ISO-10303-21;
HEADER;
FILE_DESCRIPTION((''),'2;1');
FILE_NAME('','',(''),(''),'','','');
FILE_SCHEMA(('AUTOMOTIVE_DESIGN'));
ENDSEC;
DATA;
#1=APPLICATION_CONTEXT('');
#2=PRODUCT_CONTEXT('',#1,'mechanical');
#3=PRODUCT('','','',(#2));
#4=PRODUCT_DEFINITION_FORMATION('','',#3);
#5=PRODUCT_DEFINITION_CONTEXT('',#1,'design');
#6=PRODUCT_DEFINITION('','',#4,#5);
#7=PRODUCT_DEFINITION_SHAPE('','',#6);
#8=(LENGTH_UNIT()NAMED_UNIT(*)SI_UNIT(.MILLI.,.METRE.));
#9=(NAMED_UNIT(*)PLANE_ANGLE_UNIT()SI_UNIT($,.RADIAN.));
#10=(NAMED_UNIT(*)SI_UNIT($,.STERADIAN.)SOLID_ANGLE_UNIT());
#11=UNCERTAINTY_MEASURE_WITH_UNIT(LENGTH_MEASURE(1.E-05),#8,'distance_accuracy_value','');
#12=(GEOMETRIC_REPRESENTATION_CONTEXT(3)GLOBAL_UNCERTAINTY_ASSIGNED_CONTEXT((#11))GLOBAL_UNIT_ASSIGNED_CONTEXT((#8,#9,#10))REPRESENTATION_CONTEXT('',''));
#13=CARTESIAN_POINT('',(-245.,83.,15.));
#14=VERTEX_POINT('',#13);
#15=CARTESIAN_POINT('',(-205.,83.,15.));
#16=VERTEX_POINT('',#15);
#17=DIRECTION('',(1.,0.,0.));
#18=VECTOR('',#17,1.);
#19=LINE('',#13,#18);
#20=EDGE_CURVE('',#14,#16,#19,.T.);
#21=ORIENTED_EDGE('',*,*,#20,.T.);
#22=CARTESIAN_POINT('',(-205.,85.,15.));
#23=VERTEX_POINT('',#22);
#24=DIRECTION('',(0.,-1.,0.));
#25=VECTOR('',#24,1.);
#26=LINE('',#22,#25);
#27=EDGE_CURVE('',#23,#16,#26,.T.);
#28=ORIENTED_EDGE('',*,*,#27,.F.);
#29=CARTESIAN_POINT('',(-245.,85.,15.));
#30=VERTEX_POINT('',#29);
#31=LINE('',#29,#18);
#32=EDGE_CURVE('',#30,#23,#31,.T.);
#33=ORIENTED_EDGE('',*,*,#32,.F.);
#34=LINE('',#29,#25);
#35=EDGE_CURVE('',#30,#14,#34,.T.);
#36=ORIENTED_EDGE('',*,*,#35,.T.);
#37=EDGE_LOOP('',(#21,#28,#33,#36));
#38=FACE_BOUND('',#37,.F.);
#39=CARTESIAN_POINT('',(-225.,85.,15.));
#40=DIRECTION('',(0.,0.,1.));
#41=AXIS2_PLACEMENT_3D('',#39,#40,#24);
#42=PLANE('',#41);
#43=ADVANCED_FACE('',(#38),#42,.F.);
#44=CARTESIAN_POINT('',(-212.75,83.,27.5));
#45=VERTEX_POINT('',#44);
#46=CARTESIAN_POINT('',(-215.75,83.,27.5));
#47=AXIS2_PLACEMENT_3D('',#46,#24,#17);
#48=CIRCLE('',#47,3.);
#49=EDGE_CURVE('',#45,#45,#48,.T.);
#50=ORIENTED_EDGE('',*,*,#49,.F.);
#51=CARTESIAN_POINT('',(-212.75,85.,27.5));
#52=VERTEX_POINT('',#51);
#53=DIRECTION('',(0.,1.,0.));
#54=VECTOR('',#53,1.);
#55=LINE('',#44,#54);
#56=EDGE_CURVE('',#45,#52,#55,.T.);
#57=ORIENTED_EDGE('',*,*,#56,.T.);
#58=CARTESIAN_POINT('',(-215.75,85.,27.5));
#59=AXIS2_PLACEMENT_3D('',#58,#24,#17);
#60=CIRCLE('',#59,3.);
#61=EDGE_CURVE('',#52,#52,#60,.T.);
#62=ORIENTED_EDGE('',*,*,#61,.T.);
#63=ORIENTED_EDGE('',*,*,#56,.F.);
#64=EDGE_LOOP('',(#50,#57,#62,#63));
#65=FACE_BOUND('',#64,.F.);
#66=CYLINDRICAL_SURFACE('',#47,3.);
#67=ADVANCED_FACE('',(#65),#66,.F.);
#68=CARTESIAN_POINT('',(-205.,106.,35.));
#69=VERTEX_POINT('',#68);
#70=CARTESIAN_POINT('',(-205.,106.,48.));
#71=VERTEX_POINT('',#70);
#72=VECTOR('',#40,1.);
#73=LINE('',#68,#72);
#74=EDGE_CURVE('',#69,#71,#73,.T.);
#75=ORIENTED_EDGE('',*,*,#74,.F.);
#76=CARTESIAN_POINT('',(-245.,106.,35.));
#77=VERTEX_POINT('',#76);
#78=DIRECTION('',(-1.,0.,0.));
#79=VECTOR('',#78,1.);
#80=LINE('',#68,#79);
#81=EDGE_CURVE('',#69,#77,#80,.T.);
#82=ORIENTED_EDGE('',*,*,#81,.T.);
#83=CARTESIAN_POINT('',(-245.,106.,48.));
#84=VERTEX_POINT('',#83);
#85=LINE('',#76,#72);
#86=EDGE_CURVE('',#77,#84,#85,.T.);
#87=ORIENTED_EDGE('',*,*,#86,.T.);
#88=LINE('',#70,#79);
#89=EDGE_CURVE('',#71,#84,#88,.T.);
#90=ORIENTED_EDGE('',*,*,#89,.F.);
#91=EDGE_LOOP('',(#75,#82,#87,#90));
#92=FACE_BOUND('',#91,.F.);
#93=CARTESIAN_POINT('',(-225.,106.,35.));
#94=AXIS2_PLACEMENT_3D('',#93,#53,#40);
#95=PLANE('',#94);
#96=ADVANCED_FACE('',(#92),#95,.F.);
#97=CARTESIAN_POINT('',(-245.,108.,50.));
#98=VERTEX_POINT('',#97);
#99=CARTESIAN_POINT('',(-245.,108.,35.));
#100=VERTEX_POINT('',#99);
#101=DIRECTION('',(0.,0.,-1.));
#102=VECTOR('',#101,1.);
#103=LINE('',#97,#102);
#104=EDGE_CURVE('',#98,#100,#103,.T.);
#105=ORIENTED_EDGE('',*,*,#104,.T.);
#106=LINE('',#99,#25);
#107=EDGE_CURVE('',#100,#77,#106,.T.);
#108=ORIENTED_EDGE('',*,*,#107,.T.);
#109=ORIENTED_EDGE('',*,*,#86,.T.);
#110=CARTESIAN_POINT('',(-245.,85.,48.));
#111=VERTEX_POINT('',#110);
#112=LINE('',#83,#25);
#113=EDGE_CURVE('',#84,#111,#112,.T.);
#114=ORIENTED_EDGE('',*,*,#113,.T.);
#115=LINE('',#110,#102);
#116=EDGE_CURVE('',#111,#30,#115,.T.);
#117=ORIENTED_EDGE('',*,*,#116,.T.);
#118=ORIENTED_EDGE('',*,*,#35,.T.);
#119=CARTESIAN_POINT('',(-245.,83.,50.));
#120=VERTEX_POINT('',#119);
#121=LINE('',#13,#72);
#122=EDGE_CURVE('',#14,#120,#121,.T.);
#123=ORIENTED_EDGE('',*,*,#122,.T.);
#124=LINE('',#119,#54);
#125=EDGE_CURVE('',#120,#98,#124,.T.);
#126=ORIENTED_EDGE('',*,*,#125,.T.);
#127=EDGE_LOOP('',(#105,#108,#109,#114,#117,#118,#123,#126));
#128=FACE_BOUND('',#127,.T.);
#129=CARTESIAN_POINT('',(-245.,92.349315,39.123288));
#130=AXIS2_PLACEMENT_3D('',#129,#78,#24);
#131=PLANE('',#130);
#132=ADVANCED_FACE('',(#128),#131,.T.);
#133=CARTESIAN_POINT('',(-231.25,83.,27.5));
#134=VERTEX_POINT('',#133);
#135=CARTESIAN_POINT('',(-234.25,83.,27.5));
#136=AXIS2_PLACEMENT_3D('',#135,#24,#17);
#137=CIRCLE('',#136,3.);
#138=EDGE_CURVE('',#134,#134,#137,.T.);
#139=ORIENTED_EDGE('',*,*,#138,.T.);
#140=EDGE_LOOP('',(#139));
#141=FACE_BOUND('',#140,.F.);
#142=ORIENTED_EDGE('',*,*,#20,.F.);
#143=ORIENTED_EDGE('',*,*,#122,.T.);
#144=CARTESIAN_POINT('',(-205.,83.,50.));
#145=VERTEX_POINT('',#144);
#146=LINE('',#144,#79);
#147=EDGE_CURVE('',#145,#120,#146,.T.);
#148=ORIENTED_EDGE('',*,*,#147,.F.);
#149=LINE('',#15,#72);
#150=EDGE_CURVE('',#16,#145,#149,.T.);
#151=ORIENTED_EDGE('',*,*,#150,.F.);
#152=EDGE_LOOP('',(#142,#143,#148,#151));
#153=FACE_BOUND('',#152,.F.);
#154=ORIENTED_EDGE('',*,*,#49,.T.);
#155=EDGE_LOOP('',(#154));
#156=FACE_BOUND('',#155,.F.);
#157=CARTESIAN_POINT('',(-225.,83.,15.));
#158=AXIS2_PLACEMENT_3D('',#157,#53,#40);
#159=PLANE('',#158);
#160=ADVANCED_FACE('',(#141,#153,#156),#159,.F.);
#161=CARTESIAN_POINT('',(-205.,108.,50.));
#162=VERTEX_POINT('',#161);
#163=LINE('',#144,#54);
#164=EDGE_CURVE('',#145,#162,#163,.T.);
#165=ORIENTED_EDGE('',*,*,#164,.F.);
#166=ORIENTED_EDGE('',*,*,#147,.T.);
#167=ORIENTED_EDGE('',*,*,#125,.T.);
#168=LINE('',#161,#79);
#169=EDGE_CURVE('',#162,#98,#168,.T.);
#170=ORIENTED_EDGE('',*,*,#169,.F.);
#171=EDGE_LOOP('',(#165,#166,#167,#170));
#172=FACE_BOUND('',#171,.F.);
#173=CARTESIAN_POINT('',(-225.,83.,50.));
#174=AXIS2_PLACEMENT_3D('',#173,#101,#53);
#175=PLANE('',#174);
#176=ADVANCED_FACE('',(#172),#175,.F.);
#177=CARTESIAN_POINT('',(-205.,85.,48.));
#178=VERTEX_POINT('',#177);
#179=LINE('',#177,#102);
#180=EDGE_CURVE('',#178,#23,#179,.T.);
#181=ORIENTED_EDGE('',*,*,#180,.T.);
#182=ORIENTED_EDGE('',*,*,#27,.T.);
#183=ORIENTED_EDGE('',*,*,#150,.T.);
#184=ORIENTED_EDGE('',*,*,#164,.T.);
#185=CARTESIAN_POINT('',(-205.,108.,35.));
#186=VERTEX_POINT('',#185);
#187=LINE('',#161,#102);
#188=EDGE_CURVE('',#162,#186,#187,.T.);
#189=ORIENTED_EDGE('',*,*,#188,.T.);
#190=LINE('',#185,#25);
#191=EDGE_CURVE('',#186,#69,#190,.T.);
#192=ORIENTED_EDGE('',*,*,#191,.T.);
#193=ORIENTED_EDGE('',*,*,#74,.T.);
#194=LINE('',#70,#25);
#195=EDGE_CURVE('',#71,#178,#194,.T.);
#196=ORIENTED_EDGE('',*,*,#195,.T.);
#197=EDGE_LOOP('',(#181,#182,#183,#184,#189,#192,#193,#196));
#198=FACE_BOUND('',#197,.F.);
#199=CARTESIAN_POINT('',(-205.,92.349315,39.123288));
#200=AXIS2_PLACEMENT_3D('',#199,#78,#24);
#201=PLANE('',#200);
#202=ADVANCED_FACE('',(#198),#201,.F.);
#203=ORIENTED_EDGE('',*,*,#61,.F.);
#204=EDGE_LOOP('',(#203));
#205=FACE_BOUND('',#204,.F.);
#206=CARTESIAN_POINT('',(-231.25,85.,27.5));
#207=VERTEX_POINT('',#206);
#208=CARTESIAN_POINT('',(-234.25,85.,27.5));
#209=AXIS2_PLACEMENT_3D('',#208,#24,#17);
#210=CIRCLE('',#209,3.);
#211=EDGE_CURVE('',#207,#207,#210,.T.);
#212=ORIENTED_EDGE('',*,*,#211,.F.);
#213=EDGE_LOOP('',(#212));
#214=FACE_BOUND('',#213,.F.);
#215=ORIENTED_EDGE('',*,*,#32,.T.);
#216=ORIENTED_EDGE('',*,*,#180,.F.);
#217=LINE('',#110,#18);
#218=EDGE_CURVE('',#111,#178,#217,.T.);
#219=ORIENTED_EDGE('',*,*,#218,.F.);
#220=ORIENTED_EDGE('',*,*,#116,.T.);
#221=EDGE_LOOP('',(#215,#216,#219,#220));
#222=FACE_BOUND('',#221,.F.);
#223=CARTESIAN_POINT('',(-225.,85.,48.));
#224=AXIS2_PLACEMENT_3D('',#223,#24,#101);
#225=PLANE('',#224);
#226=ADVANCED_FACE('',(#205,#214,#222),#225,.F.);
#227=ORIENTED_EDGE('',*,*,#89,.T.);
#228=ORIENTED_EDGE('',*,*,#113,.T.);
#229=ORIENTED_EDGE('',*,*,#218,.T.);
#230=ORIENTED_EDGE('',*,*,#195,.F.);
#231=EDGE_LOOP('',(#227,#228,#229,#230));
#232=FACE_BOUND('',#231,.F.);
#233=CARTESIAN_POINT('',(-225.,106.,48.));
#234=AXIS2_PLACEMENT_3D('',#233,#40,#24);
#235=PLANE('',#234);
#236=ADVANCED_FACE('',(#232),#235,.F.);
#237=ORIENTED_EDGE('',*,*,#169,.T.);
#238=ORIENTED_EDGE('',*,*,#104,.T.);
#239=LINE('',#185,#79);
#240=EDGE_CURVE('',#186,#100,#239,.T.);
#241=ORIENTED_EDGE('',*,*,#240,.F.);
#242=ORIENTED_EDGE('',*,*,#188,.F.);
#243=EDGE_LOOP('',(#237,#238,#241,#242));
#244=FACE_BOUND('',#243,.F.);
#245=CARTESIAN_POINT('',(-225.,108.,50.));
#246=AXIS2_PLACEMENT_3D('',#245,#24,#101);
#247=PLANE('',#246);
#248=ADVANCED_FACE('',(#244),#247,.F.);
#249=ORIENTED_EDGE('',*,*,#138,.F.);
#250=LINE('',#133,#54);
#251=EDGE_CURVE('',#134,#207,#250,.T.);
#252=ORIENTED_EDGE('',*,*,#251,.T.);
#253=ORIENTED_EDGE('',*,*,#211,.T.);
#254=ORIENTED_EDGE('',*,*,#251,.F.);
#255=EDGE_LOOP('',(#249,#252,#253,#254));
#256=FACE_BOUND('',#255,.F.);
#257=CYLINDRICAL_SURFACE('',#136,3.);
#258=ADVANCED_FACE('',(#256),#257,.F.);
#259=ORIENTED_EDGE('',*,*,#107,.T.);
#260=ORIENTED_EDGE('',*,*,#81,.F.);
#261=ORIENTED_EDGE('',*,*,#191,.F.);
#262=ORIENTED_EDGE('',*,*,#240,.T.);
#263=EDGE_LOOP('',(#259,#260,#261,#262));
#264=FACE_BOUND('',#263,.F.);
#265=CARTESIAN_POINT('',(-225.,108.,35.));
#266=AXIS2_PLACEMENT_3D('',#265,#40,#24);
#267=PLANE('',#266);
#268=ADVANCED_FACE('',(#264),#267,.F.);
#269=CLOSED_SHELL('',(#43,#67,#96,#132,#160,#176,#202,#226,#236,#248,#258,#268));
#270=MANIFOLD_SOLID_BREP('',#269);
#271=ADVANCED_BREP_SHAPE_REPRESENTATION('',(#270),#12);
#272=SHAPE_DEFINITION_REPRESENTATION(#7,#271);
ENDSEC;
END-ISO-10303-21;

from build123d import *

# Parameters (mm, degrees)
PAD004_DEPTH = 20
SKETCH013_R  = 3
HOLE_DEPTH   = 25
HOLE_TIPS_R  = 3


with BuildPart() as part:
    # Sketch014 → Pad004 (new body, symmetric)
    with BuildSketch(Plane.YZ):
        Polygon((0, -35), (0, 0), (25, 0), (25, -15), (23, -15), (23, -2), (2, -2), (2, -35), align=None)
    extrude(amount=PAD004_DEPTH, both=True)

    # Sketch013 → Hole (cut)
    with BuildSketch(Plane.XZ):
        with Locations((-9.25, -22.5)):
            Circle(SKETCH013_R)
        with Locations((9.25, -22.5)):
            Circle(SKETCH013_R)
    extrude(amount=-HOLE_DEPTH, mode=Mode.SUBTRACT)

    # Hole tips → Hole tip 1 section 0
    with BuildSketch(Plane.XZ.offset(-25), mode=Mode.PRIVATE) as hole_tip_1_s0:
        with Locations((-9.25, -22.5)):
            Circle(HOLE_TIPS_R)
    loft([hole_tip_1_s0.sketch, Vertex(-9.25, 26.802582, -22.5)], mode=Mode.SUBTRACT)

    # Hole tips → Hole tip 2 section 0
    with BuildSketch(Plane.XZ.offset(-25), mode=Mode.PRIVATE) as hole_tip_2_s0:
        with Locations((9.25, -22.5)):
            Circle(HOLE_TIPS_R)
    loft([hole_tip_2_s0.sketch, Vertex(9.25, 26.802582, -22.5)], mode=Mode.SUBTRACT)


with BuildPart() as part_1:
    # Body009 placement: moved
    add(part.part.moved(Location((0, 83, 0))))


with BuildPart() as part_2:
    # Clone010 placement: moved
    add(part_1.part.moved(Location((0, -83, 0))))


with BuildPart() as part_3:
    # Body013 placement: moved
    add(part_2.part.moved(Location((-225, 83, 50))))


solid = part_3.part
